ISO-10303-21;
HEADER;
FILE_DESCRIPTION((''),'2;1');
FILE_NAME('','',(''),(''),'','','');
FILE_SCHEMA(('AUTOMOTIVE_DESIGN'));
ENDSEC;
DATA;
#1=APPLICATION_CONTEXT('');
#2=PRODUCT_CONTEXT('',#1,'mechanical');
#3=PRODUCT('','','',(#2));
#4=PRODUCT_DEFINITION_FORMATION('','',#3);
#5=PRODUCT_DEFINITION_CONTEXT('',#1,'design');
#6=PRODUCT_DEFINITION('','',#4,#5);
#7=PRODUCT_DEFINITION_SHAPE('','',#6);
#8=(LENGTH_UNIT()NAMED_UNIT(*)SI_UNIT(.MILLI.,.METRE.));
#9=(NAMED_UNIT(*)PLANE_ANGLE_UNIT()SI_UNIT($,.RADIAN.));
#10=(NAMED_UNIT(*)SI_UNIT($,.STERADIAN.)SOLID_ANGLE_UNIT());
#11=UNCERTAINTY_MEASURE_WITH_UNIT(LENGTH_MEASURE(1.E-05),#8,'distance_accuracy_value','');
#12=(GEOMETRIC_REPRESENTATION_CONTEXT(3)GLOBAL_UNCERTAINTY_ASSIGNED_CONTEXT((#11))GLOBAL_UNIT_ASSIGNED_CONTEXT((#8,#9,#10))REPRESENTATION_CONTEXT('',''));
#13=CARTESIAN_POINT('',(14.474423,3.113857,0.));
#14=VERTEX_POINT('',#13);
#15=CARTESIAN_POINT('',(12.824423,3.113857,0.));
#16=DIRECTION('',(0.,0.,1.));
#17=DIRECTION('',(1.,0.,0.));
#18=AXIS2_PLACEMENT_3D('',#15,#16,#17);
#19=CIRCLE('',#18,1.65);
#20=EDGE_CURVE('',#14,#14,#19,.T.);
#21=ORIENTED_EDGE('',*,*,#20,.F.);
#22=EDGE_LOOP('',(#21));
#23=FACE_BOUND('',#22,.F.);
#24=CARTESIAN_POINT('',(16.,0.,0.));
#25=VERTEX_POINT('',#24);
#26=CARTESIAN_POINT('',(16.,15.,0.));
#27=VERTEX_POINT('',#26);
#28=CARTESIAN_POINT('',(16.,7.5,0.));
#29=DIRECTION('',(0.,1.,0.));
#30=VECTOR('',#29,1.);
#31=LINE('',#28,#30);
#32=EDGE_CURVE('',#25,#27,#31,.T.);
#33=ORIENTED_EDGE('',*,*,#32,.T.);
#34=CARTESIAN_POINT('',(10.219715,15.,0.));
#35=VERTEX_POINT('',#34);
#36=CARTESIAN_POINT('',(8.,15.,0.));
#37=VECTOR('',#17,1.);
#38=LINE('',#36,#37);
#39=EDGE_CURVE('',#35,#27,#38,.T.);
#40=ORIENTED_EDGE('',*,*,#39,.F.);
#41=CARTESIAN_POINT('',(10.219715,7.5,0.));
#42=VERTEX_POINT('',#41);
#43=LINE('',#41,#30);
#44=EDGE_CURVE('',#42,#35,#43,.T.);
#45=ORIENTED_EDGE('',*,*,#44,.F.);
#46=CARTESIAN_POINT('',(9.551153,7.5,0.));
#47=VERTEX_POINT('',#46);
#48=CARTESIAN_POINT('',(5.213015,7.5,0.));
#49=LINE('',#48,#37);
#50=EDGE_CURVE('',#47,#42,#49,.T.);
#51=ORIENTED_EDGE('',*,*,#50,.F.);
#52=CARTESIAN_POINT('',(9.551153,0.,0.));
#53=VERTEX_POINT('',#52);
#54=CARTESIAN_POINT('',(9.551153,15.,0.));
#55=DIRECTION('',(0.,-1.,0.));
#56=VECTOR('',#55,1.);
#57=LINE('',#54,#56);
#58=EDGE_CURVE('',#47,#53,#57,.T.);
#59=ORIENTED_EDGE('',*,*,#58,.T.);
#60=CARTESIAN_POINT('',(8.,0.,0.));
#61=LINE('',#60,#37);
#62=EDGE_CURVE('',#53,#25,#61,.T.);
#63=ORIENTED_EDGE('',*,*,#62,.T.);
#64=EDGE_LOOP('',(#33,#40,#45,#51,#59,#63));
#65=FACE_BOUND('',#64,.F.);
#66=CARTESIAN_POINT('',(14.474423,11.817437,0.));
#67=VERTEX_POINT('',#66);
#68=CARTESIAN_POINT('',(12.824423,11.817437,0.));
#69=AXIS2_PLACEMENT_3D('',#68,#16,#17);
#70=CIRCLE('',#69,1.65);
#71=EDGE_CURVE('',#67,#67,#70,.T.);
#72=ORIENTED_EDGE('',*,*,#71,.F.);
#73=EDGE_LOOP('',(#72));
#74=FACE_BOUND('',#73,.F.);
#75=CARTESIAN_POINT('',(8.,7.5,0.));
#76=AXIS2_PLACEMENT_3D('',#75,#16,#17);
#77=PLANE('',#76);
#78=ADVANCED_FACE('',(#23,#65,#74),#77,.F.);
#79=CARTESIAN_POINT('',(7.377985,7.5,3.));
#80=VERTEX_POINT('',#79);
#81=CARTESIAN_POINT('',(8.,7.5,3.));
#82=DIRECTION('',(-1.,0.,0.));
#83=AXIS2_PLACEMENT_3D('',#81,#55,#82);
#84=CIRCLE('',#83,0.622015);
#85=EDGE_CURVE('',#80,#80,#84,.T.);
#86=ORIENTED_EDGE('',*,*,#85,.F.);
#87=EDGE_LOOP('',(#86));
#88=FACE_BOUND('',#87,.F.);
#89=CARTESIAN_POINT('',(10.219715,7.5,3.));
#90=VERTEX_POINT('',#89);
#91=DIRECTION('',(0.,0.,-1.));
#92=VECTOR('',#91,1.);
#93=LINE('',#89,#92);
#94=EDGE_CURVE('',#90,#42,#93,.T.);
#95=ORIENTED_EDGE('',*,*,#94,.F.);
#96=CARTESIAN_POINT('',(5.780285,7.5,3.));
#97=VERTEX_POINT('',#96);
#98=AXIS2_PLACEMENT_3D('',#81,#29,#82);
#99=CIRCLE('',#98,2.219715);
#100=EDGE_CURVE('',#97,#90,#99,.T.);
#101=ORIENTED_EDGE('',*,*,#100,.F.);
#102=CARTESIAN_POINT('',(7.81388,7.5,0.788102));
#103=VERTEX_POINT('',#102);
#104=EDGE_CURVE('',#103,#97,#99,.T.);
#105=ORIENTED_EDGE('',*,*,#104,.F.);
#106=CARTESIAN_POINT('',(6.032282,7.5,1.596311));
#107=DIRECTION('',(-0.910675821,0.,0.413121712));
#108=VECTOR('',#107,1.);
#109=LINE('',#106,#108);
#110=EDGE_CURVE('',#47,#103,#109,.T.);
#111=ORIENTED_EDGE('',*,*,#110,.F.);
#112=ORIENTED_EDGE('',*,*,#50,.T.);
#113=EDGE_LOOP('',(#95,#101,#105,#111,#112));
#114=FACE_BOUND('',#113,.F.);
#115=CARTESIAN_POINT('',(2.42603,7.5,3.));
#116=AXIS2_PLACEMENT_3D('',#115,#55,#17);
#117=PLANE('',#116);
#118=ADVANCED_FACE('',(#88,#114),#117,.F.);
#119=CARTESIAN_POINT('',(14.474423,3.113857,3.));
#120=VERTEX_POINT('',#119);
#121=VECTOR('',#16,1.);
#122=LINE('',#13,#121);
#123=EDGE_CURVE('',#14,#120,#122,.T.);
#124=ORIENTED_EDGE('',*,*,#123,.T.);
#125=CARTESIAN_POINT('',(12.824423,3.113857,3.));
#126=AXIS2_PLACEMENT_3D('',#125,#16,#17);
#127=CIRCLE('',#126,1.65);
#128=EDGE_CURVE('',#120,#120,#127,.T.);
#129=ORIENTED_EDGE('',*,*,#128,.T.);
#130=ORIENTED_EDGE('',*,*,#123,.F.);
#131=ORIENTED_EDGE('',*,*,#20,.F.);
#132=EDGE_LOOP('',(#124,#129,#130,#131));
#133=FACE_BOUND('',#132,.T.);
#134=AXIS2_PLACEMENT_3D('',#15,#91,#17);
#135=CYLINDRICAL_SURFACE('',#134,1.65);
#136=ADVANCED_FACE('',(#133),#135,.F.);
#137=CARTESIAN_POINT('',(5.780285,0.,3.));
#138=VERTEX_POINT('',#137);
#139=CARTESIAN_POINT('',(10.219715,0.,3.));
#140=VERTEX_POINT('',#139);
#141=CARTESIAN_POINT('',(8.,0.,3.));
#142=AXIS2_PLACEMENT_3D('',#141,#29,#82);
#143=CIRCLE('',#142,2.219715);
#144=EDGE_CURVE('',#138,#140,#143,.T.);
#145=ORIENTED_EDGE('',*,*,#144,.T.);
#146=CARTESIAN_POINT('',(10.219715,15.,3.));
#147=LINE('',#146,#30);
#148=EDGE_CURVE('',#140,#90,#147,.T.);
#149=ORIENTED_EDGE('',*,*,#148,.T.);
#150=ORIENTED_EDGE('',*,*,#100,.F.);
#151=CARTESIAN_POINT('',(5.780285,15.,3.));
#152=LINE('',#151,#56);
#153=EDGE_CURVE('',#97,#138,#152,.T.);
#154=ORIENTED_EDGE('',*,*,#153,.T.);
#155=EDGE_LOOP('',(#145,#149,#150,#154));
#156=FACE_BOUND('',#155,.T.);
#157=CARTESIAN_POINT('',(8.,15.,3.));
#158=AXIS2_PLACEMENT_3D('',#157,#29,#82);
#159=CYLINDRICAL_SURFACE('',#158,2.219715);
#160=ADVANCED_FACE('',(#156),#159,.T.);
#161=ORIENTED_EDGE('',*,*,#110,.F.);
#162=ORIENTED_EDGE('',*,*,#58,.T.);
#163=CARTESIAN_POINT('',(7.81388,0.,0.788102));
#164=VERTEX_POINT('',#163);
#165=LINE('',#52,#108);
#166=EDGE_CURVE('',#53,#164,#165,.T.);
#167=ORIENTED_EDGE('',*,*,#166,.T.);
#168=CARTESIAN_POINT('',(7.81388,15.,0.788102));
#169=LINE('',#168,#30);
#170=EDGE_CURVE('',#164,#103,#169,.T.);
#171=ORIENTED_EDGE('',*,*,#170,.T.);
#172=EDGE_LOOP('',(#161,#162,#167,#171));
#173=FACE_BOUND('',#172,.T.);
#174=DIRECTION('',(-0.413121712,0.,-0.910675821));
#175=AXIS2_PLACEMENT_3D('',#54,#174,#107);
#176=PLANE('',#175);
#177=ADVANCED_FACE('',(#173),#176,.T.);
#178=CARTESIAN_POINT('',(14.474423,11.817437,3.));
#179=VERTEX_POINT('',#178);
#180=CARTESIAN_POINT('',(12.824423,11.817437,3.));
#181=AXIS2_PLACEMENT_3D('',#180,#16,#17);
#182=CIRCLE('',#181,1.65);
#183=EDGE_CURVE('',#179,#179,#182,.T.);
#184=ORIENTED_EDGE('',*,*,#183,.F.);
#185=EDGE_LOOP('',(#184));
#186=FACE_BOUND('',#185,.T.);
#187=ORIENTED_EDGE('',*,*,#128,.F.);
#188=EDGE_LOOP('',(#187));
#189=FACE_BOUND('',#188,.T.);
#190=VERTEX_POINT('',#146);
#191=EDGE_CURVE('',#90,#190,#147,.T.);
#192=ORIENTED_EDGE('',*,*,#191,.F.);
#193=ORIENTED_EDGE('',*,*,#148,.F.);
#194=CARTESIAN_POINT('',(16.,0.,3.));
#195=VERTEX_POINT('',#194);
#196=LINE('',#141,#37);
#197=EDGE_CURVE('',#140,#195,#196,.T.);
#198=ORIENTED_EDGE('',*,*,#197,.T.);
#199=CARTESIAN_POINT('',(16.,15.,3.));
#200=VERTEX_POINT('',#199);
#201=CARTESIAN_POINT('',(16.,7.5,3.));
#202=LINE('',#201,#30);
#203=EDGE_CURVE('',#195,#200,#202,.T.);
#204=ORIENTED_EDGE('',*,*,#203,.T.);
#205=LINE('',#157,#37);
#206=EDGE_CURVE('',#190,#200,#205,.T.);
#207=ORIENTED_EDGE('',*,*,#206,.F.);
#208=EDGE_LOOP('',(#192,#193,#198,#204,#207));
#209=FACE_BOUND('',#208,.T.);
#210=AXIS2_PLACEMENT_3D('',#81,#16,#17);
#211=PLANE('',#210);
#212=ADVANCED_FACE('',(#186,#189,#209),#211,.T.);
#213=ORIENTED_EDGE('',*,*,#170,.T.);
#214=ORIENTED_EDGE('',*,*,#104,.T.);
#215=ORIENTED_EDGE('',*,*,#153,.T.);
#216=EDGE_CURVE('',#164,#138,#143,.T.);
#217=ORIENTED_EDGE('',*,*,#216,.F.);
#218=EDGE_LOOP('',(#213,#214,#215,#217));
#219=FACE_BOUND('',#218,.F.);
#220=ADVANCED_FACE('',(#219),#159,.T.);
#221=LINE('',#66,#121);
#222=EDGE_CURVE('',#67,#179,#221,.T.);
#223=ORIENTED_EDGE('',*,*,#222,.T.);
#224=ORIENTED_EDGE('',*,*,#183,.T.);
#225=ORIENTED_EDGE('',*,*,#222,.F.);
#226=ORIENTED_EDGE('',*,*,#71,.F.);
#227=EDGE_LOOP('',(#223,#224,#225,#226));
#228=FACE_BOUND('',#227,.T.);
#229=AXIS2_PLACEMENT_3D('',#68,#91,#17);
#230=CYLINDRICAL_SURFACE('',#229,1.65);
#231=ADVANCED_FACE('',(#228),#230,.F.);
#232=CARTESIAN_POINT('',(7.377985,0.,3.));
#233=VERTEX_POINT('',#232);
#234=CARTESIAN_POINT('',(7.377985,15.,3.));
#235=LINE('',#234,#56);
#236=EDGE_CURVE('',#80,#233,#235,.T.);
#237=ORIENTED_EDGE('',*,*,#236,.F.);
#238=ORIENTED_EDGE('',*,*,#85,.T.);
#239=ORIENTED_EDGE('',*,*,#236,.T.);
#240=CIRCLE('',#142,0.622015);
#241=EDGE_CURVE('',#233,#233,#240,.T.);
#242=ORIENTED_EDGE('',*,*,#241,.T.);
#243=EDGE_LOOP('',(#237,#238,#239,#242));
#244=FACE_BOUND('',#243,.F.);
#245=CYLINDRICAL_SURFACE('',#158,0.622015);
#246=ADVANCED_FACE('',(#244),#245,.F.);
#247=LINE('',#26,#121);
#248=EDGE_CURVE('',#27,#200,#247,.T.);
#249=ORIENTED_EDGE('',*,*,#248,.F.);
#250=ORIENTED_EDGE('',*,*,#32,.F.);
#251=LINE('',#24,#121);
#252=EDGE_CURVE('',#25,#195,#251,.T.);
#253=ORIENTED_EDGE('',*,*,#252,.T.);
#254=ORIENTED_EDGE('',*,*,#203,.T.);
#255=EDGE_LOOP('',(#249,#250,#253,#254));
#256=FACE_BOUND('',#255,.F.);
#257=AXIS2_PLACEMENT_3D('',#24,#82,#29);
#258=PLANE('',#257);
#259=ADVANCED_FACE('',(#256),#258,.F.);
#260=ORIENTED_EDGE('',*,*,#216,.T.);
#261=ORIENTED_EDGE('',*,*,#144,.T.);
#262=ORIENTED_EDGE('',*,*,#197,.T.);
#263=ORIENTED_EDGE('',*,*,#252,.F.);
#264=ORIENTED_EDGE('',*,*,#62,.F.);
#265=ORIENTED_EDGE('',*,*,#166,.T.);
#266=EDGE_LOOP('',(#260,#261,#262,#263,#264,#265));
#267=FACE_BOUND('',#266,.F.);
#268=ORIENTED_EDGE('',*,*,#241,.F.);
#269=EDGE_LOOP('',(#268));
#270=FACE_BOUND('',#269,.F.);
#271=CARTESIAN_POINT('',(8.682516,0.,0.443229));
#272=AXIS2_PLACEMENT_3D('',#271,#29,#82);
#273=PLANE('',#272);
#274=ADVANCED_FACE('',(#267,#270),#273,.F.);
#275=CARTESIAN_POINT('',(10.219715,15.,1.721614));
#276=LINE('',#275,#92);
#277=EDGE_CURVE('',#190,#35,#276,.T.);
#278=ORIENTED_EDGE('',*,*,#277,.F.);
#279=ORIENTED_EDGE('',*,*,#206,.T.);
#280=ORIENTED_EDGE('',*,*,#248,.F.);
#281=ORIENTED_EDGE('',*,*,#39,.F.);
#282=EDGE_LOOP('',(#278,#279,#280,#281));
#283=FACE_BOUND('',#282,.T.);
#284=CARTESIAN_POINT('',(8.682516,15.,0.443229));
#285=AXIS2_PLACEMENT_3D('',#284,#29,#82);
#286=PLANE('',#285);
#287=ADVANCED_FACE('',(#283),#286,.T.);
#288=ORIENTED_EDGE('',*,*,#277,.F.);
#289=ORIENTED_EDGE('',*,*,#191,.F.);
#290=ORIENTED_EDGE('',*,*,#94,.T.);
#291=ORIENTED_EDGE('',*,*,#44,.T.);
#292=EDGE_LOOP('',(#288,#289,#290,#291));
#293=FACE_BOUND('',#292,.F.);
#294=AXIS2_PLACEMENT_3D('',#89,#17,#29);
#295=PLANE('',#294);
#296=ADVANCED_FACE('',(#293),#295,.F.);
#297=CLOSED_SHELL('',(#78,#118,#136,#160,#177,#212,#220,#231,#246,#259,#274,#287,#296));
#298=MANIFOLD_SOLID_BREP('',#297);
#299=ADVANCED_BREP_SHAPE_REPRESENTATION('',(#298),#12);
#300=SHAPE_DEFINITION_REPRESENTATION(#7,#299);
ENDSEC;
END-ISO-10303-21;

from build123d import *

# Parameters (mm, degrees)
F0_W           = 16
F0_H           = 15
F0_R           = 1.65
F1_DEPTH       = 3
F2_R           = 2.2197148543
F3_DEPTH       = 15
F4_R           = 0.622015
F5_DEPTH       = 25
F7_DEPTH       = 25
F9_DEPTH       = 15
F10_W          = 7.79368474
F10_H          = 8.6547567695
F11_DEPTH      = 25
F11_DEPTH_BACK = 25


with BuildPart() as f1:
    # F0 (on Top) → F1 (new body)
    with BuildSketch(Plane.XY):
        with Locations((8, 7.5)):
            Rectangle(F0_W, F0_H)
        with Locations((3.0942130834, 3.1138566653)):
            Circle(F0_R, mode=Mode.SUBTRACT)
        with Locations((12.8244230834, 3.1138566653)):
            Circle(F0_R, mode=Mode.SUBTRACT)
        with Locations((3.0942130834, 11.8174366653)):
            Circle(F0_R, mode=Mode.SUBTRACT)
        with Locations((12.8244230834, 11.8174366653)):
            Circle(F0_R, mode=Mode.SUBTRACT)
    extrude(amount=F1_DEPTH)

    # F2 (on face) → F3 (join, through all)
    with BuildSketch(Plane(origin=(0, 15, 0), x_dir=(-1, 0, 0), z_dir=(0, 1, 0))):
        with Locations((-8, 3)):
            Circle(F2_R)
    extrude(amount=-F3_DEPTH)

    # F4 (on face) → F5 (cut)
    with BuildSketch(Plane(origin=(0, 15, 0), x_dir=(-1, 0, 0), z_dir=(0, 1, 0))):
        with Locations((-8, 3)):
            Circle(F4_R)
        Polygon((-8, 0.8955585654), (-9.5511529364, 0), (-6.4488470636, 0), align=None)
    extrude(amount=-F5_DEPTH, mode=Mode.SUBTRACT)

    # F6 (on face) → F7 (cut)
    with BuildSketch(Plane(origin=(0, 15, 0), x_dir=(-1, 0, 0), z_dir=(0, 1, 0))):
        with BuildLine():
            ThreePointArc((-5.7802851457, 3), (-6.4976685136, 1.3659454907), (-8.1861204126, 0.7881018951))
            Line((-8.1861204126, 0.7881018951), (-9.5511529364, 0))
            Line((-9.5511529364, 0), (0, -1.0680041742))
            Line((0, -1.0680041742), (0, 3))
            Line((0, 3), (-5.7802851457, 3))
        make_face()
    extrude(amount=-F7_DEPTH, mode=Mode.SUBTRACT)

    # F8 (on face) → F9 (join, through all)
    with BuildSketch(Plane(origin=(0, 15, 0), x_dir=(-1, 0, 0), z_dir=(0, 1, 0))):
        Polygon((-8, 0.8955585654), (-9.5511529364, 0), (-7.8138795874, 0.7881018951), align=None)
    extrude(amount=-F9_DEPTH)

    # F10 (on face) → F11 (cut, two sides)
    with BuildSketch(Plane.XY.offset(3)) as f11_sk:
        with Locations((6.3228724843, 11.8273783848)):
            Rectangle(F10_W, F10_H)
    extrude(amount=-F11_DEPTH, mode=Mode.SUBTRACT)
    extrude(f11_sk.sketch, amount=F11_DEPTH_BACK, mode=Mode.SUBTRACT)


solid = f1.part
